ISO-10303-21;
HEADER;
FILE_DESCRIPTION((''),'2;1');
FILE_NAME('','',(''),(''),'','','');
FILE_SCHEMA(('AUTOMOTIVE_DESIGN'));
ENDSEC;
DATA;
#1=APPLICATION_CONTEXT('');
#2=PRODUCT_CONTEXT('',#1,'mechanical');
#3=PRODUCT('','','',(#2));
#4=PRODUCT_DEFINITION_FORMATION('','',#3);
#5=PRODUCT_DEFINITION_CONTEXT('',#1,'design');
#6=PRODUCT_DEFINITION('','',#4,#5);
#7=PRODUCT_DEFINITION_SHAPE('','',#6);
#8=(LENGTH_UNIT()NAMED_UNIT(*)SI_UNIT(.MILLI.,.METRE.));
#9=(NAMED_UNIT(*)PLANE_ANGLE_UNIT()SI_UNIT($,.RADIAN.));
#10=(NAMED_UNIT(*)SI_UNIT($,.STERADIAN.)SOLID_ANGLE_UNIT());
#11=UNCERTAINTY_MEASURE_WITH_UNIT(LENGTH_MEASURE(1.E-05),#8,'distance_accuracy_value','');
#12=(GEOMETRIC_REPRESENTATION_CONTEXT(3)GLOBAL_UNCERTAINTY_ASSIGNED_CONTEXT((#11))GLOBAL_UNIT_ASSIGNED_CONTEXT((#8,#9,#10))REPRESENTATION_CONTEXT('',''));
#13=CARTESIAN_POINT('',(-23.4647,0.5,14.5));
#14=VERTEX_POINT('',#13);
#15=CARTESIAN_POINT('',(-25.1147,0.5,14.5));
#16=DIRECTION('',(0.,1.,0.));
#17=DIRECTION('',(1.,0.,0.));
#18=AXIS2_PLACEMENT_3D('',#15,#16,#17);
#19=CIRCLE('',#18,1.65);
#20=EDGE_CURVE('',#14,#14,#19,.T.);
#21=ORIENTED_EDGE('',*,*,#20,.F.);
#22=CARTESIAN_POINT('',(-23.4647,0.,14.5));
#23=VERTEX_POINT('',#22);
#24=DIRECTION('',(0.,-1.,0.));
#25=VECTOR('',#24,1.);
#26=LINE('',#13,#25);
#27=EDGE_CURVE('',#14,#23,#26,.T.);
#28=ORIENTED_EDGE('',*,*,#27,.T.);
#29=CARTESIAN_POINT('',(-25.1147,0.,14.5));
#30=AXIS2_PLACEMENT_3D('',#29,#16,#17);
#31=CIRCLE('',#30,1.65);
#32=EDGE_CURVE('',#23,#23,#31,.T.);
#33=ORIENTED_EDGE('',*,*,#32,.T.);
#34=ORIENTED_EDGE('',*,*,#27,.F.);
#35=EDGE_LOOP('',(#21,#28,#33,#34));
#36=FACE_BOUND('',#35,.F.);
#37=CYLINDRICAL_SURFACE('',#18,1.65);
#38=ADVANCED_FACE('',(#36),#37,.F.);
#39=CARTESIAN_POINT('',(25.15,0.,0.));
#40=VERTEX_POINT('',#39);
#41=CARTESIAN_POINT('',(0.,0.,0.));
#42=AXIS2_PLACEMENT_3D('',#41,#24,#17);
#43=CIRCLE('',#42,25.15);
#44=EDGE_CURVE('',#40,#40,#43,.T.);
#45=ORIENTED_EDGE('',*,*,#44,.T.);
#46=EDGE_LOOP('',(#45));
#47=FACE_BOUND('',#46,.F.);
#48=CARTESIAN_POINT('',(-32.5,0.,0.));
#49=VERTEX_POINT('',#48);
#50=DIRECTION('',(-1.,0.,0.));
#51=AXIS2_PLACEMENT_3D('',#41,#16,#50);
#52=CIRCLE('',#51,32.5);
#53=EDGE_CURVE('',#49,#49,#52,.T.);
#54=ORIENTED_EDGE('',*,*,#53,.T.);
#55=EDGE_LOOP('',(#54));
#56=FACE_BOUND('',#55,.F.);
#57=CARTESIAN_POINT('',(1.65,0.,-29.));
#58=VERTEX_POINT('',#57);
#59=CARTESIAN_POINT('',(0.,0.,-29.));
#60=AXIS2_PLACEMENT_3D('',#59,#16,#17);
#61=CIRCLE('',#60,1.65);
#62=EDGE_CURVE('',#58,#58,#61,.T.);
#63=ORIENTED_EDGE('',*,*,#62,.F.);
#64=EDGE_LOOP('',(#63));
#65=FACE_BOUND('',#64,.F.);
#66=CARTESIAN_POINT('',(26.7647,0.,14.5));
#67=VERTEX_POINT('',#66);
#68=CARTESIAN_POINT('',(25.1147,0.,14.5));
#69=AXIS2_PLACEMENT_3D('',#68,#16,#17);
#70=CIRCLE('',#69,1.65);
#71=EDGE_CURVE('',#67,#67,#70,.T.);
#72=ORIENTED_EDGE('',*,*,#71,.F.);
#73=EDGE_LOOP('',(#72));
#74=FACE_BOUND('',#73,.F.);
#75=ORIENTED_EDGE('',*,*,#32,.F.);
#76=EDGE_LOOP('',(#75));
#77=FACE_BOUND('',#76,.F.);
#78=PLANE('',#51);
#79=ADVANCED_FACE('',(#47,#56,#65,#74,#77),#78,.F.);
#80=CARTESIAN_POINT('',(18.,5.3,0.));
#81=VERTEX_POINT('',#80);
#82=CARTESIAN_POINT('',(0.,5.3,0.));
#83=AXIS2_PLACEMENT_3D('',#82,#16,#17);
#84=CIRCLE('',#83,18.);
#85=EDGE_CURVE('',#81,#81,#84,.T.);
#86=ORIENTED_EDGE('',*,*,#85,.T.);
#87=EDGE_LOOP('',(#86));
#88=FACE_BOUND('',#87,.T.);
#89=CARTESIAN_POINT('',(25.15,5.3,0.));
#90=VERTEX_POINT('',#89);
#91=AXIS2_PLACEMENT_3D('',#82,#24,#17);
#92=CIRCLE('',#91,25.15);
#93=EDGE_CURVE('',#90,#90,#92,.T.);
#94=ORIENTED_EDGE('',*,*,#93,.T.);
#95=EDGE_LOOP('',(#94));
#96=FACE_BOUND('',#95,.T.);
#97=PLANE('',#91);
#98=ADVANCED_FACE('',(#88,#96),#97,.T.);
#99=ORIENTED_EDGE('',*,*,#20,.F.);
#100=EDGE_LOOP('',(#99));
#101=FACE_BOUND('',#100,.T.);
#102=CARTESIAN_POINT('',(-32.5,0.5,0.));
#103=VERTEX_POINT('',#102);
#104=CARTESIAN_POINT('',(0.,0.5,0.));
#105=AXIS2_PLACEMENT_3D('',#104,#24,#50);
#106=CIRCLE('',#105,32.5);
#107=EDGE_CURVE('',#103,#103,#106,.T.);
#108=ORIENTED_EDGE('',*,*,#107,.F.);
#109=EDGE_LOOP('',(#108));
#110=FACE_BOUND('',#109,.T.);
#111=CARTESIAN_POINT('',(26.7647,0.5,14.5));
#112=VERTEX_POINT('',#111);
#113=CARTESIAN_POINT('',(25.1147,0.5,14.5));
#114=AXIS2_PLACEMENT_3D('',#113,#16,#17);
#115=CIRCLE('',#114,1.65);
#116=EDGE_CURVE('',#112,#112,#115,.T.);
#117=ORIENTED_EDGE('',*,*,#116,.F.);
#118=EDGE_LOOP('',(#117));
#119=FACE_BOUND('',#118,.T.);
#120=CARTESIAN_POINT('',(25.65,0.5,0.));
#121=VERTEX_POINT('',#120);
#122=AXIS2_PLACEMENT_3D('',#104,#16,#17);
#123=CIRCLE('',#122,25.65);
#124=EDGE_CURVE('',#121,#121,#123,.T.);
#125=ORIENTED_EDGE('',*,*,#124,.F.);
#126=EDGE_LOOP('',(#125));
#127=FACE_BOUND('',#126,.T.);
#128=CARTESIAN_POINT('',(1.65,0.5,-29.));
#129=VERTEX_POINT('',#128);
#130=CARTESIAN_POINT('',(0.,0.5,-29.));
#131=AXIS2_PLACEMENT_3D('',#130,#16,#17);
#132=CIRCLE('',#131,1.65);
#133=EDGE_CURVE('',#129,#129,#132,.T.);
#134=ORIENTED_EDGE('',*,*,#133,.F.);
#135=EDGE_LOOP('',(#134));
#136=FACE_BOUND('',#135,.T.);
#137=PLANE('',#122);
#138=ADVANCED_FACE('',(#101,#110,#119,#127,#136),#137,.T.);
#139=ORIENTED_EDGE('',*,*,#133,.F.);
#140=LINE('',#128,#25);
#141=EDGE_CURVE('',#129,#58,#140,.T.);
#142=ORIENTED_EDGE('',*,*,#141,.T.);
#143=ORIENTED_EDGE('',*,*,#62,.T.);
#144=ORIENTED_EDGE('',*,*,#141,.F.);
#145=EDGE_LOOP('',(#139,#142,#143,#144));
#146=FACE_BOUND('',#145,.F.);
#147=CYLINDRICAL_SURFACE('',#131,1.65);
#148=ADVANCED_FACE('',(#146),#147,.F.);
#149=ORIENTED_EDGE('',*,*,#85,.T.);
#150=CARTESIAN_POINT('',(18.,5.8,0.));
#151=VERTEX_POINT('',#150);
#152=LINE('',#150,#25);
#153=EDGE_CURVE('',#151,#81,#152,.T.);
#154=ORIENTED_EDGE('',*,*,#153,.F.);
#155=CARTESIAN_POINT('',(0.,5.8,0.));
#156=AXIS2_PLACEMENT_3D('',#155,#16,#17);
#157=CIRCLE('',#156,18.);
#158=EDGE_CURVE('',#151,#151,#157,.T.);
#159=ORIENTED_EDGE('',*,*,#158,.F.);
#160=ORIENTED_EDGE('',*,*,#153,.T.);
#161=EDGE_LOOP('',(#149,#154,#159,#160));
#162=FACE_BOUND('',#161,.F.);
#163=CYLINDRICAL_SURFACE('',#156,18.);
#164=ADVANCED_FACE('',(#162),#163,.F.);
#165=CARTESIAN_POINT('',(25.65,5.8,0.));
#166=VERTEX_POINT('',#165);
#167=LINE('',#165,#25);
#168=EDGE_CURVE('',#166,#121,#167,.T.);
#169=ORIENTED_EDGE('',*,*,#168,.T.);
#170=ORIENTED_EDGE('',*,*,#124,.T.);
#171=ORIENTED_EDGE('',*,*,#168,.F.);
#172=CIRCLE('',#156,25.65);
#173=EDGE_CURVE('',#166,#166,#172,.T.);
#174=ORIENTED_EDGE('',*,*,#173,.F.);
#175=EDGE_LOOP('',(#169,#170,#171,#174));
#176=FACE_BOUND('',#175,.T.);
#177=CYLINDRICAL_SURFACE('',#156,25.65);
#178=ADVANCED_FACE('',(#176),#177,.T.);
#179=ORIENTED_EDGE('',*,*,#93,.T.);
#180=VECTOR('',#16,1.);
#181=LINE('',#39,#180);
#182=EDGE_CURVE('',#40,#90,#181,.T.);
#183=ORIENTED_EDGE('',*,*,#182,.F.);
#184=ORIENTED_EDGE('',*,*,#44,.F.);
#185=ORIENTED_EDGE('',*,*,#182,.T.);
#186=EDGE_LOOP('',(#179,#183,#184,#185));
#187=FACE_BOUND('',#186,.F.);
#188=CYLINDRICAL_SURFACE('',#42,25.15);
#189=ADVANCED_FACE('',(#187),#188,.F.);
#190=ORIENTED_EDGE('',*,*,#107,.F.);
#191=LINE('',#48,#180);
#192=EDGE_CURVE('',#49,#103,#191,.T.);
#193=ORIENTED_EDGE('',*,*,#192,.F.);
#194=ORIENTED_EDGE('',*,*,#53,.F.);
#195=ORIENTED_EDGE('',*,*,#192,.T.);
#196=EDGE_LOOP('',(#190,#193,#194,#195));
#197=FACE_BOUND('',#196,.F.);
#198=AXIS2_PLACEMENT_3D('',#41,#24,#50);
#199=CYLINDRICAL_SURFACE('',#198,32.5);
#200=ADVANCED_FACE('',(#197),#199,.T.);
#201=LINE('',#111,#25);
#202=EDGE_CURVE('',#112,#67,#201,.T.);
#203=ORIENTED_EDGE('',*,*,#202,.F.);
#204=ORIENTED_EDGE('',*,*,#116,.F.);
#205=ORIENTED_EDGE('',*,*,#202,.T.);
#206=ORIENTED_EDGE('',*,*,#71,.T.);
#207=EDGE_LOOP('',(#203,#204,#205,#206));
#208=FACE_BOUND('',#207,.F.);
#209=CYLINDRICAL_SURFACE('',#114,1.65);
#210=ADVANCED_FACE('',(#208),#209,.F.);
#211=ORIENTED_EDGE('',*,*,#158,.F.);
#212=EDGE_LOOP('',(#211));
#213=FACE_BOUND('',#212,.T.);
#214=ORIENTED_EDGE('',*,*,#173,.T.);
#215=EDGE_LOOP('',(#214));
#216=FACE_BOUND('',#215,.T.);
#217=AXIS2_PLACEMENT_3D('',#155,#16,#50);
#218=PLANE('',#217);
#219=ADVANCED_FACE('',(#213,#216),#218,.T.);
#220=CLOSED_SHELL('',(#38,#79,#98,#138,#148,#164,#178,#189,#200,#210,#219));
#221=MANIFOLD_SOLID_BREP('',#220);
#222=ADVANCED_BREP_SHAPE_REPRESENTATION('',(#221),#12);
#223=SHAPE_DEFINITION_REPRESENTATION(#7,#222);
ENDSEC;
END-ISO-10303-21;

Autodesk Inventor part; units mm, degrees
ref_plane "YZ Plane" through (0, 0, 0) normal (1, 0, 0) x (0, 1, 0)
ref_plane "XZ Plane" through (0, 0, 0) normal (0, 1, 0) x (-1, 0, 0)
ref_plane "XY Plane" through (0, 0, 0) normal (0, 0, 1) x (1, 0, 0)
sketch "スケッチ1" plane through (0, 0, 0) normal (0, 1, 0) x (-1, 0, 0)
  circle A0 centre (0, 0) radius 32.5
  dimension "d0" = 65
extrude "押し出し1" add sketch "スケッチ1" along normal blind 5.8
sketch "スケッチ2" plane through (0, 5.8, 0) normal (0, 1, 0) x (1, 0, 0)
  circle A0 centre (0, 0) radius 18
  dimension "d3" = 36
extrude "押し出し2" cut sketch "スケッチ2" against normal through all
sketch "スケッチ3" plane through (0, 0, 0) normal (0, -1, 0) x (1, 0, 0)
  circle A0 centre (0, 0) radius 25.15
  dimension "d6" = 50.3
extrude "押し出し3" cut sketch "スケッチ3" against normal blind 5.3
sketch "スケッチ4" plane through (0, 5.8, 0) normal (0, 1, 0) x (1, 0, 0)
  circle A0 centre (0, 0) radius 32.5
  circle A1 centre (0, 0) radius 25.65
  dimension "d9" = 51.3
extrude "押し出し4" cut sketch "スケッチ4" against normal blind 5.3
sketch "スケッチ5" plane through (0, 0.5, 0) normal (0, 1, 0) x (1, 0, 0)
  circle A0 centre (0, 29) radius 1.65
  circle A1 centre (-25.1147, -14.5) radius 1.65
  circle A2 centre (25.1147, -14.5) radius 1.65
  point P0 (0, 0)
  dimension "d12" = 3.3
  dimension "d13" = 29
  dimension "d16" = 360
extrude "押し出し5" cut sketch "スケッチ5" against normal through all
properties part number "clamp_for_bearing" material "ステンレス鋼"
